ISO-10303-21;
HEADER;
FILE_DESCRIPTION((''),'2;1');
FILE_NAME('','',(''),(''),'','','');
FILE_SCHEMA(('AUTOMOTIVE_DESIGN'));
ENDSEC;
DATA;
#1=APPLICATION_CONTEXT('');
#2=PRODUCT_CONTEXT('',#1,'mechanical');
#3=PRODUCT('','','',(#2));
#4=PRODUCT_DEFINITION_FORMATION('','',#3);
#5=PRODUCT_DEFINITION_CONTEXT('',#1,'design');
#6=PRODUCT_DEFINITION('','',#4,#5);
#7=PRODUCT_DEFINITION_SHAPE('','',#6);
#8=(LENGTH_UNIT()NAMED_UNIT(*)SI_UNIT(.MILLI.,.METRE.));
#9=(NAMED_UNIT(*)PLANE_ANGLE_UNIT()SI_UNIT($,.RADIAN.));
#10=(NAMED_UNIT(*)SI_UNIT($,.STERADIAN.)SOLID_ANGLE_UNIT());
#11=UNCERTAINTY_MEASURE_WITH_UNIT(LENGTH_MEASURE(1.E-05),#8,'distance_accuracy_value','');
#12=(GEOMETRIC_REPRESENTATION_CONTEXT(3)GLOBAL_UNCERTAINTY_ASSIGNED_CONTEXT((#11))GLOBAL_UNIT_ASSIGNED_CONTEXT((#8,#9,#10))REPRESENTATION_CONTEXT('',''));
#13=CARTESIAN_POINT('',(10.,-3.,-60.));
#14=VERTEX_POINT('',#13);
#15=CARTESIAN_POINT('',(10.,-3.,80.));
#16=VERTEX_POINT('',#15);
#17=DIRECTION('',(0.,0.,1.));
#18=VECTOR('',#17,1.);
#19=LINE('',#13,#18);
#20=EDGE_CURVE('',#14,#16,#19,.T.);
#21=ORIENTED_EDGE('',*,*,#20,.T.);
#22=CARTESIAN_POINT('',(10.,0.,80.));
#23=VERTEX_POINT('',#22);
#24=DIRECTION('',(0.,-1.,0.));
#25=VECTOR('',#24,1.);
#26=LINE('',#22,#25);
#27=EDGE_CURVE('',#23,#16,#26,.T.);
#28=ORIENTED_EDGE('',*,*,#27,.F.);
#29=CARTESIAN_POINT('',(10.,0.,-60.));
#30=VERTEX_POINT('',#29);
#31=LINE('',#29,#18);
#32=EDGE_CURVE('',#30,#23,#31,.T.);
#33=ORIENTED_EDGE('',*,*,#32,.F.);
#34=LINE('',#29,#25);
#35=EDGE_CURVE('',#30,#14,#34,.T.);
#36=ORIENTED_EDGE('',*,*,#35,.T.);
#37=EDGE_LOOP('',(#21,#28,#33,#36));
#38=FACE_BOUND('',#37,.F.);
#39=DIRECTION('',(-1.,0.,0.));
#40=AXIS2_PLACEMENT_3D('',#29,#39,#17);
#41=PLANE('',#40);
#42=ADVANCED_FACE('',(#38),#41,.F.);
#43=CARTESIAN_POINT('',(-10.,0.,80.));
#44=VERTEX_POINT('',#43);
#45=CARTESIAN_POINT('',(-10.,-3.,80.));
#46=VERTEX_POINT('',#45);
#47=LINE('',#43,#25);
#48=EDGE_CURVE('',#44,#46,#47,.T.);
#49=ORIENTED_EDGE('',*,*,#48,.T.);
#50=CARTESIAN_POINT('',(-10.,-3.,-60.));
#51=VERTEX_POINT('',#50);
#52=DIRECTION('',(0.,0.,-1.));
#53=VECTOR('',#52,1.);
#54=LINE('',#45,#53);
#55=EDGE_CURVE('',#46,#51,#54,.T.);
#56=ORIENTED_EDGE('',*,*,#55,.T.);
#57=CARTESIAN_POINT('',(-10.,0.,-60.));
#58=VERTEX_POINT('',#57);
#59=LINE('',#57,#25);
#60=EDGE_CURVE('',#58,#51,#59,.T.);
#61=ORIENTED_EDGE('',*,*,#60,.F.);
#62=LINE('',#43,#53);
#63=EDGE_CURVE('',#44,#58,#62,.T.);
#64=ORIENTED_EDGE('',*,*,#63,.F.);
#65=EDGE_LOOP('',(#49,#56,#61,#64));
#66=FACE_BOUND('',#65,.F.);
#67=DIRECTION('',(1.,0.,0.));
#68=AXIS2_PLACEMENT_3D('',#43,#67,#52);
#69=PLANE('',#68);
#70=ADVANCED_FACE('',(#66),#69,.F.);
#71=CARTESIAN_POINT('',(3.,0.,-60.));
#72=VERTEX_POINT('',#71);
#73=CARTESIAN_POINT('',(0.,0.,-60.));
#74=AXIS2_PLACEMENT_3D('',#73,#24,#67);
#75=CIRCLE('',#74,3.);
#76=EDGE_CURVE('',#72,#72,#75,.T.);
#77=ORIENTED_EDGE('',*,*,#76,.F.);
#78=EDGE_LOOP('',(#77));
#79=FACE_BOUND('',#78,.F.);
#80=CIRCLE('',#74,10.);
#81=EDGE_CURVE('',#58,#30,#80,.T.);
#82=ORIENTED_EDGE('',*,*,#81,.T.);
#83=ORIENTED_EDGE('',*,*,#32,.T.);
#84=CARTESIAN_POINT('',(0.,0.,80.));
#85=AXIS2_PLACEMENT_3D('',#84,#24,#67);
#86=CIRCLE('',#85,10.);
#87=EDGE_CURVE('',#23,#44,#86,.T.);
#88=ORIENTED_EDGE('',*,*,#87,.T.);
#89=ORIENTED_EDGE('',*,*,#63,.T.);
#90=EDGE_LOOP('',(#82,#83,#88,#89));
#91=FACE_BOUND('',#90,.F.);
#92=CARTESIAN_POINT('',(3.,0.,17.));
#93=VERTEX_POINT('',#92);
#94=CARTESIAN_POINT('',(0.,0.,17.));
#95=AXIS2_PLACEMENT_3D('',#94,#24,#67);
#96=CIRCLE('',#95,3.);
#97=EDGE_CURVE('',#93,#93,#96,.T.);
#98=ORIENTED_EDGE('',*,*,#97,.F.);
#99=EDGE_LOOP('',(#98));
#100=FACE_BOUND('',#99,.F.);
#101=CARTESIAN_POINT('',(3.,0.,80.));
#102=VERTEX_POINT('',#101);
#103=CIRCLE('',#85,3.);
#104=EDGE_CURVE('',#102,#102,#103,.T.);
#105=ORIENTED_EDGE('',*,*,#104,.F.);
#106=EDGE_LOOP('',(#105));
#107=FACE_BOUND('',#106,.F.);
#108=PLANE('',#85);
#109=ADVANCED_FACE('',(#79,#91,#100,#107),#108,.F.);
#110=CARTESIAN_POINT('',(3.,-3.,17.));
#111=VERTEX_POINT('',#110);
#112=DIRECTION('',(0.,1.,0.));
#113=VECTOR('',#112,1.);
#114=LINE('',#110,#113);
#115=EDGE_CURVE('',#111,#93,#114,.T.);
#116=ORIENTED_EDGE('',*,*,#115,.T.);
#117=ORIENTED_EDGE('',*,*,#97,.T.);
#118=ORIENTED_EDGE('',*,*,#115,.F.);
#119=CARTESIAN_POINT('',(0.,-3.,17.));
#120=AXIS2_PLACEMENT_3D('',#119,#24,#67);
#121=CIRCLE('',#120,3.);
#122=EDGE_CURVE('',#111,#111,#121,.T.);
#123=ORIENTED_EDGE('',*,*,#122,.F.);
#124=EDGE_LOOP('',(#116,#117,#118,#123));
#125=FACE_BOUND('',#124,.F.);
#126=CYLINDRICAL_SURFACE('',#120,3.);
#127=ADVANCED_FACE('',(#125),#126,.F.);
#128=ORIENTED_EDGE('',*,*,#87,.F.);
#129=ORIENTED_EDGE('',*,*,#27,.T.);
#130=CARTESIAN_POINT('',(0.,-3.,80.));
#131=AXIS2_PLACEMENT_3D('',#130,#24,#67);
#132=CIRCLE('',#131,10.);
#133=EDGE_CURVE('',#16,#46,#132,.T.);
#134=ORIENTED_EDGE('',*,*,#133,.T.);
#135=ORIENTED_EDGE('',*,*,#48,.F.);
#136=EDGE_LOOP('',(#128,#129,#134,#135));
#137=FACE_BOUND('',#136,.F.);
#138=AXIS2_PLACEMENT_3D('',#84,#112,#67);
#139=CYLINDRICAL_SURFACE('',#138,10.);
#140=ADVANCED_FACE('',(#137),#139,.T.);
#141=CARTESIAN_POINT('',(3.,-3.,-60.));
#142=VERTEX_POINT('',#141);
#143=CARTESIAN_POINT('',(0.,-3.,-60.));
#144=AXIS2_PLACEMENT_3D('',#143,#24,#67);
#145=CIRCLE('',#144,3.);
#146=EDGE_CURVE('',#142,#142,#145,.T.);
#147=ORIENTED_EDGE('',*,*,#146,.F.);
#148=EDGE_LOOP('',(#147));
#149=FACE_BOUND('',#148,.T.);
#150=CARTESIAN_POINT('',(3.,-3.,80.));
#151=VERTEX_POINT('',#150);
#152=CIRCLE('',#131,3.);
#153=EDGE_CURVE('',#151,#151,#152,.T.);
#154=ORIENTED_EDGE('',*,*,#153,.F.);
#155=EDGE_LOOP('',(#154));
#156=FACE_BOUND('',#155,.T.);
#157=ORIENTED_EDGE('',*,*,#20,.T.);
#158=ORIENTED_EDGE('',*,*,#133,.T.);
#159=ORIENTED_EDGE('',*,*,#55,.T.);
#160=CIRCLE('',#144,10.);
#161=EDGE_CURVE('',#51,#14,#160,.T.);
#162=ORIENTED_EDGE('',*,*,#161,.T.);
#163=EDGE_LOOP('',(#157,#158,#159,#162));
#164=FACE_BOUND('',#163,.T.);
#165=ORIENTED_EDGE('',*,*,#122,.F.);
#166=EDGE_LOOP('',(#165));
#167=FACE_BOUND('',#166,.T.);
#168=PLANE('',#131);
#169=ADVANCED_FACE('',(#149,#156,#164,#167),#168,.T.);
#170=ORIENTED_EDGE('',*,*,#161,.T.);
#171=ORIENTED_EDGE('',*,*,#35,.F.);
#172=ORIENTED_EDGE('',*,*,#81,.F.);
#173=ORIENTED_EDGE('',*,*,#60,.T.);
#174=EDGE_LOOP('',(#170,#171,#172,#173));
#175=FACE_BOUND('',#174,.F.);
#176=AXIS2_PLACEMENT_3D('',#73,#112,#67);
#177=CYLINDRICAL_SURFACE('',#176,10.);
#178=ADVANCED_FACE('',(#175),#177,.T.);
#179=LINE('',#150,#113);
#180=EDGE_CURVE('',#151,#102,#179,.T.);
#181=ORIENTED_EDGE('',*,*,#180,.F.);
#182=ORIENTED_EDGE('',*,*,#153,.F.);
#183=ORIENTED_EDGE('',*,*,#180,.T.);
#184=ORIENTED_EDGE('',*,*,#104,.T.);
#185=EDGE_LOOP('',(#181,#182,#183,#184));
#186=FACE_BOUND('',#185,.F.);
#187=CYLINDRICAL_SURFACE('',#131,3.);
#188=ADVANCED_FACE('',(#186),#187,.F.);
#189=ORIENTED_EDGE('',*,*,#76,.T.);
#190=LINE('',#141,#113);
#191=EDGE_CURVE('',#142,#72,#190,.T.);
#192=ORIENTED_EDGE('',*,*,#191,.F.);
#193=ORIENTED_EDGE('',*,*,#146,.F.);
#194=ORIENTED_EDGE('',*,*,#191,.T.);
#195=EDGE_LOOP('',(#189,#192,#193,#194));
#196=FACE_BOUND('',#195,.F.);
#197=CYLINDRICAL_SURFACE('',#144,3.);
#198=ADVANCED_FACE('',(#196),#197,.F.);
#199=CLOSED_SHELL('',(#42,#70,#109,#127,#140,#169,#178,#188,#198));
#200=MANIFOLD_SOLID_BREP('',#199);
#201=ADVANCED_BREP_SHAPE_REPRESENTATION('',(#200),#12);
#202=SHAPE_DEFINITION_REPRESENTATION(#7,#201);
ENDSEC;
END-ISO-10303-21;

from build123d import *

# Parameters (mm, degrees)
F1_DEPTH = 3
F2_R     = 3
F3_DEPTH = 25.4
F4_R     = 3
F5_DEPTH = 25


with BuildPart() as f1:
    # F0 (on Front) → F1 (new body)
    with BuildSketch(Plane.XZ):
        with BuildLine():
            ThreePointArc((-10, 80), (0, 70), (10, 80))
            ThreePointArc((10, 80), (0, 90), (-10, 80))
        make_face()
        with BuildLine():
            Line((10, -60), (10, 80))
            ThreePointArc((10, 80), (0, 70), (-10, 80))
            Line((-10, 80), (-10, -60))
            ThreePointArc((-10, -60), (0, -50), (10, -60))
        make_face()
        with BuildLine():
            ThreePointArc((-10, -60), (0, -70), (10, -60))
            ThreePointArc((10, -60), (0, -50), (-10, -60))
        make_face()
    extrude(amount=F1_DEPTH)

    # F2 (on face) → F3 (cut)
    with BuildSketch(Plane.XZ.offset(3)):
        with Locations((0, 80)):
            Circle(F2_R)
        with Locations((0, -60)):
            Circle(F2_R)
    extrude(amount=-F3_DEPTH, mode=Mode.SUBTRACT)

    # F4 (on face) → F5 (cut)
    with BuildSketch(Plane.XZ.offset(3)):
        with Locations((0, 17)):
            Circle(F4_R)
    extrude(amount=-F5_DEPTH, mode=Mode.SUBTRACT)


solid = f1.part
